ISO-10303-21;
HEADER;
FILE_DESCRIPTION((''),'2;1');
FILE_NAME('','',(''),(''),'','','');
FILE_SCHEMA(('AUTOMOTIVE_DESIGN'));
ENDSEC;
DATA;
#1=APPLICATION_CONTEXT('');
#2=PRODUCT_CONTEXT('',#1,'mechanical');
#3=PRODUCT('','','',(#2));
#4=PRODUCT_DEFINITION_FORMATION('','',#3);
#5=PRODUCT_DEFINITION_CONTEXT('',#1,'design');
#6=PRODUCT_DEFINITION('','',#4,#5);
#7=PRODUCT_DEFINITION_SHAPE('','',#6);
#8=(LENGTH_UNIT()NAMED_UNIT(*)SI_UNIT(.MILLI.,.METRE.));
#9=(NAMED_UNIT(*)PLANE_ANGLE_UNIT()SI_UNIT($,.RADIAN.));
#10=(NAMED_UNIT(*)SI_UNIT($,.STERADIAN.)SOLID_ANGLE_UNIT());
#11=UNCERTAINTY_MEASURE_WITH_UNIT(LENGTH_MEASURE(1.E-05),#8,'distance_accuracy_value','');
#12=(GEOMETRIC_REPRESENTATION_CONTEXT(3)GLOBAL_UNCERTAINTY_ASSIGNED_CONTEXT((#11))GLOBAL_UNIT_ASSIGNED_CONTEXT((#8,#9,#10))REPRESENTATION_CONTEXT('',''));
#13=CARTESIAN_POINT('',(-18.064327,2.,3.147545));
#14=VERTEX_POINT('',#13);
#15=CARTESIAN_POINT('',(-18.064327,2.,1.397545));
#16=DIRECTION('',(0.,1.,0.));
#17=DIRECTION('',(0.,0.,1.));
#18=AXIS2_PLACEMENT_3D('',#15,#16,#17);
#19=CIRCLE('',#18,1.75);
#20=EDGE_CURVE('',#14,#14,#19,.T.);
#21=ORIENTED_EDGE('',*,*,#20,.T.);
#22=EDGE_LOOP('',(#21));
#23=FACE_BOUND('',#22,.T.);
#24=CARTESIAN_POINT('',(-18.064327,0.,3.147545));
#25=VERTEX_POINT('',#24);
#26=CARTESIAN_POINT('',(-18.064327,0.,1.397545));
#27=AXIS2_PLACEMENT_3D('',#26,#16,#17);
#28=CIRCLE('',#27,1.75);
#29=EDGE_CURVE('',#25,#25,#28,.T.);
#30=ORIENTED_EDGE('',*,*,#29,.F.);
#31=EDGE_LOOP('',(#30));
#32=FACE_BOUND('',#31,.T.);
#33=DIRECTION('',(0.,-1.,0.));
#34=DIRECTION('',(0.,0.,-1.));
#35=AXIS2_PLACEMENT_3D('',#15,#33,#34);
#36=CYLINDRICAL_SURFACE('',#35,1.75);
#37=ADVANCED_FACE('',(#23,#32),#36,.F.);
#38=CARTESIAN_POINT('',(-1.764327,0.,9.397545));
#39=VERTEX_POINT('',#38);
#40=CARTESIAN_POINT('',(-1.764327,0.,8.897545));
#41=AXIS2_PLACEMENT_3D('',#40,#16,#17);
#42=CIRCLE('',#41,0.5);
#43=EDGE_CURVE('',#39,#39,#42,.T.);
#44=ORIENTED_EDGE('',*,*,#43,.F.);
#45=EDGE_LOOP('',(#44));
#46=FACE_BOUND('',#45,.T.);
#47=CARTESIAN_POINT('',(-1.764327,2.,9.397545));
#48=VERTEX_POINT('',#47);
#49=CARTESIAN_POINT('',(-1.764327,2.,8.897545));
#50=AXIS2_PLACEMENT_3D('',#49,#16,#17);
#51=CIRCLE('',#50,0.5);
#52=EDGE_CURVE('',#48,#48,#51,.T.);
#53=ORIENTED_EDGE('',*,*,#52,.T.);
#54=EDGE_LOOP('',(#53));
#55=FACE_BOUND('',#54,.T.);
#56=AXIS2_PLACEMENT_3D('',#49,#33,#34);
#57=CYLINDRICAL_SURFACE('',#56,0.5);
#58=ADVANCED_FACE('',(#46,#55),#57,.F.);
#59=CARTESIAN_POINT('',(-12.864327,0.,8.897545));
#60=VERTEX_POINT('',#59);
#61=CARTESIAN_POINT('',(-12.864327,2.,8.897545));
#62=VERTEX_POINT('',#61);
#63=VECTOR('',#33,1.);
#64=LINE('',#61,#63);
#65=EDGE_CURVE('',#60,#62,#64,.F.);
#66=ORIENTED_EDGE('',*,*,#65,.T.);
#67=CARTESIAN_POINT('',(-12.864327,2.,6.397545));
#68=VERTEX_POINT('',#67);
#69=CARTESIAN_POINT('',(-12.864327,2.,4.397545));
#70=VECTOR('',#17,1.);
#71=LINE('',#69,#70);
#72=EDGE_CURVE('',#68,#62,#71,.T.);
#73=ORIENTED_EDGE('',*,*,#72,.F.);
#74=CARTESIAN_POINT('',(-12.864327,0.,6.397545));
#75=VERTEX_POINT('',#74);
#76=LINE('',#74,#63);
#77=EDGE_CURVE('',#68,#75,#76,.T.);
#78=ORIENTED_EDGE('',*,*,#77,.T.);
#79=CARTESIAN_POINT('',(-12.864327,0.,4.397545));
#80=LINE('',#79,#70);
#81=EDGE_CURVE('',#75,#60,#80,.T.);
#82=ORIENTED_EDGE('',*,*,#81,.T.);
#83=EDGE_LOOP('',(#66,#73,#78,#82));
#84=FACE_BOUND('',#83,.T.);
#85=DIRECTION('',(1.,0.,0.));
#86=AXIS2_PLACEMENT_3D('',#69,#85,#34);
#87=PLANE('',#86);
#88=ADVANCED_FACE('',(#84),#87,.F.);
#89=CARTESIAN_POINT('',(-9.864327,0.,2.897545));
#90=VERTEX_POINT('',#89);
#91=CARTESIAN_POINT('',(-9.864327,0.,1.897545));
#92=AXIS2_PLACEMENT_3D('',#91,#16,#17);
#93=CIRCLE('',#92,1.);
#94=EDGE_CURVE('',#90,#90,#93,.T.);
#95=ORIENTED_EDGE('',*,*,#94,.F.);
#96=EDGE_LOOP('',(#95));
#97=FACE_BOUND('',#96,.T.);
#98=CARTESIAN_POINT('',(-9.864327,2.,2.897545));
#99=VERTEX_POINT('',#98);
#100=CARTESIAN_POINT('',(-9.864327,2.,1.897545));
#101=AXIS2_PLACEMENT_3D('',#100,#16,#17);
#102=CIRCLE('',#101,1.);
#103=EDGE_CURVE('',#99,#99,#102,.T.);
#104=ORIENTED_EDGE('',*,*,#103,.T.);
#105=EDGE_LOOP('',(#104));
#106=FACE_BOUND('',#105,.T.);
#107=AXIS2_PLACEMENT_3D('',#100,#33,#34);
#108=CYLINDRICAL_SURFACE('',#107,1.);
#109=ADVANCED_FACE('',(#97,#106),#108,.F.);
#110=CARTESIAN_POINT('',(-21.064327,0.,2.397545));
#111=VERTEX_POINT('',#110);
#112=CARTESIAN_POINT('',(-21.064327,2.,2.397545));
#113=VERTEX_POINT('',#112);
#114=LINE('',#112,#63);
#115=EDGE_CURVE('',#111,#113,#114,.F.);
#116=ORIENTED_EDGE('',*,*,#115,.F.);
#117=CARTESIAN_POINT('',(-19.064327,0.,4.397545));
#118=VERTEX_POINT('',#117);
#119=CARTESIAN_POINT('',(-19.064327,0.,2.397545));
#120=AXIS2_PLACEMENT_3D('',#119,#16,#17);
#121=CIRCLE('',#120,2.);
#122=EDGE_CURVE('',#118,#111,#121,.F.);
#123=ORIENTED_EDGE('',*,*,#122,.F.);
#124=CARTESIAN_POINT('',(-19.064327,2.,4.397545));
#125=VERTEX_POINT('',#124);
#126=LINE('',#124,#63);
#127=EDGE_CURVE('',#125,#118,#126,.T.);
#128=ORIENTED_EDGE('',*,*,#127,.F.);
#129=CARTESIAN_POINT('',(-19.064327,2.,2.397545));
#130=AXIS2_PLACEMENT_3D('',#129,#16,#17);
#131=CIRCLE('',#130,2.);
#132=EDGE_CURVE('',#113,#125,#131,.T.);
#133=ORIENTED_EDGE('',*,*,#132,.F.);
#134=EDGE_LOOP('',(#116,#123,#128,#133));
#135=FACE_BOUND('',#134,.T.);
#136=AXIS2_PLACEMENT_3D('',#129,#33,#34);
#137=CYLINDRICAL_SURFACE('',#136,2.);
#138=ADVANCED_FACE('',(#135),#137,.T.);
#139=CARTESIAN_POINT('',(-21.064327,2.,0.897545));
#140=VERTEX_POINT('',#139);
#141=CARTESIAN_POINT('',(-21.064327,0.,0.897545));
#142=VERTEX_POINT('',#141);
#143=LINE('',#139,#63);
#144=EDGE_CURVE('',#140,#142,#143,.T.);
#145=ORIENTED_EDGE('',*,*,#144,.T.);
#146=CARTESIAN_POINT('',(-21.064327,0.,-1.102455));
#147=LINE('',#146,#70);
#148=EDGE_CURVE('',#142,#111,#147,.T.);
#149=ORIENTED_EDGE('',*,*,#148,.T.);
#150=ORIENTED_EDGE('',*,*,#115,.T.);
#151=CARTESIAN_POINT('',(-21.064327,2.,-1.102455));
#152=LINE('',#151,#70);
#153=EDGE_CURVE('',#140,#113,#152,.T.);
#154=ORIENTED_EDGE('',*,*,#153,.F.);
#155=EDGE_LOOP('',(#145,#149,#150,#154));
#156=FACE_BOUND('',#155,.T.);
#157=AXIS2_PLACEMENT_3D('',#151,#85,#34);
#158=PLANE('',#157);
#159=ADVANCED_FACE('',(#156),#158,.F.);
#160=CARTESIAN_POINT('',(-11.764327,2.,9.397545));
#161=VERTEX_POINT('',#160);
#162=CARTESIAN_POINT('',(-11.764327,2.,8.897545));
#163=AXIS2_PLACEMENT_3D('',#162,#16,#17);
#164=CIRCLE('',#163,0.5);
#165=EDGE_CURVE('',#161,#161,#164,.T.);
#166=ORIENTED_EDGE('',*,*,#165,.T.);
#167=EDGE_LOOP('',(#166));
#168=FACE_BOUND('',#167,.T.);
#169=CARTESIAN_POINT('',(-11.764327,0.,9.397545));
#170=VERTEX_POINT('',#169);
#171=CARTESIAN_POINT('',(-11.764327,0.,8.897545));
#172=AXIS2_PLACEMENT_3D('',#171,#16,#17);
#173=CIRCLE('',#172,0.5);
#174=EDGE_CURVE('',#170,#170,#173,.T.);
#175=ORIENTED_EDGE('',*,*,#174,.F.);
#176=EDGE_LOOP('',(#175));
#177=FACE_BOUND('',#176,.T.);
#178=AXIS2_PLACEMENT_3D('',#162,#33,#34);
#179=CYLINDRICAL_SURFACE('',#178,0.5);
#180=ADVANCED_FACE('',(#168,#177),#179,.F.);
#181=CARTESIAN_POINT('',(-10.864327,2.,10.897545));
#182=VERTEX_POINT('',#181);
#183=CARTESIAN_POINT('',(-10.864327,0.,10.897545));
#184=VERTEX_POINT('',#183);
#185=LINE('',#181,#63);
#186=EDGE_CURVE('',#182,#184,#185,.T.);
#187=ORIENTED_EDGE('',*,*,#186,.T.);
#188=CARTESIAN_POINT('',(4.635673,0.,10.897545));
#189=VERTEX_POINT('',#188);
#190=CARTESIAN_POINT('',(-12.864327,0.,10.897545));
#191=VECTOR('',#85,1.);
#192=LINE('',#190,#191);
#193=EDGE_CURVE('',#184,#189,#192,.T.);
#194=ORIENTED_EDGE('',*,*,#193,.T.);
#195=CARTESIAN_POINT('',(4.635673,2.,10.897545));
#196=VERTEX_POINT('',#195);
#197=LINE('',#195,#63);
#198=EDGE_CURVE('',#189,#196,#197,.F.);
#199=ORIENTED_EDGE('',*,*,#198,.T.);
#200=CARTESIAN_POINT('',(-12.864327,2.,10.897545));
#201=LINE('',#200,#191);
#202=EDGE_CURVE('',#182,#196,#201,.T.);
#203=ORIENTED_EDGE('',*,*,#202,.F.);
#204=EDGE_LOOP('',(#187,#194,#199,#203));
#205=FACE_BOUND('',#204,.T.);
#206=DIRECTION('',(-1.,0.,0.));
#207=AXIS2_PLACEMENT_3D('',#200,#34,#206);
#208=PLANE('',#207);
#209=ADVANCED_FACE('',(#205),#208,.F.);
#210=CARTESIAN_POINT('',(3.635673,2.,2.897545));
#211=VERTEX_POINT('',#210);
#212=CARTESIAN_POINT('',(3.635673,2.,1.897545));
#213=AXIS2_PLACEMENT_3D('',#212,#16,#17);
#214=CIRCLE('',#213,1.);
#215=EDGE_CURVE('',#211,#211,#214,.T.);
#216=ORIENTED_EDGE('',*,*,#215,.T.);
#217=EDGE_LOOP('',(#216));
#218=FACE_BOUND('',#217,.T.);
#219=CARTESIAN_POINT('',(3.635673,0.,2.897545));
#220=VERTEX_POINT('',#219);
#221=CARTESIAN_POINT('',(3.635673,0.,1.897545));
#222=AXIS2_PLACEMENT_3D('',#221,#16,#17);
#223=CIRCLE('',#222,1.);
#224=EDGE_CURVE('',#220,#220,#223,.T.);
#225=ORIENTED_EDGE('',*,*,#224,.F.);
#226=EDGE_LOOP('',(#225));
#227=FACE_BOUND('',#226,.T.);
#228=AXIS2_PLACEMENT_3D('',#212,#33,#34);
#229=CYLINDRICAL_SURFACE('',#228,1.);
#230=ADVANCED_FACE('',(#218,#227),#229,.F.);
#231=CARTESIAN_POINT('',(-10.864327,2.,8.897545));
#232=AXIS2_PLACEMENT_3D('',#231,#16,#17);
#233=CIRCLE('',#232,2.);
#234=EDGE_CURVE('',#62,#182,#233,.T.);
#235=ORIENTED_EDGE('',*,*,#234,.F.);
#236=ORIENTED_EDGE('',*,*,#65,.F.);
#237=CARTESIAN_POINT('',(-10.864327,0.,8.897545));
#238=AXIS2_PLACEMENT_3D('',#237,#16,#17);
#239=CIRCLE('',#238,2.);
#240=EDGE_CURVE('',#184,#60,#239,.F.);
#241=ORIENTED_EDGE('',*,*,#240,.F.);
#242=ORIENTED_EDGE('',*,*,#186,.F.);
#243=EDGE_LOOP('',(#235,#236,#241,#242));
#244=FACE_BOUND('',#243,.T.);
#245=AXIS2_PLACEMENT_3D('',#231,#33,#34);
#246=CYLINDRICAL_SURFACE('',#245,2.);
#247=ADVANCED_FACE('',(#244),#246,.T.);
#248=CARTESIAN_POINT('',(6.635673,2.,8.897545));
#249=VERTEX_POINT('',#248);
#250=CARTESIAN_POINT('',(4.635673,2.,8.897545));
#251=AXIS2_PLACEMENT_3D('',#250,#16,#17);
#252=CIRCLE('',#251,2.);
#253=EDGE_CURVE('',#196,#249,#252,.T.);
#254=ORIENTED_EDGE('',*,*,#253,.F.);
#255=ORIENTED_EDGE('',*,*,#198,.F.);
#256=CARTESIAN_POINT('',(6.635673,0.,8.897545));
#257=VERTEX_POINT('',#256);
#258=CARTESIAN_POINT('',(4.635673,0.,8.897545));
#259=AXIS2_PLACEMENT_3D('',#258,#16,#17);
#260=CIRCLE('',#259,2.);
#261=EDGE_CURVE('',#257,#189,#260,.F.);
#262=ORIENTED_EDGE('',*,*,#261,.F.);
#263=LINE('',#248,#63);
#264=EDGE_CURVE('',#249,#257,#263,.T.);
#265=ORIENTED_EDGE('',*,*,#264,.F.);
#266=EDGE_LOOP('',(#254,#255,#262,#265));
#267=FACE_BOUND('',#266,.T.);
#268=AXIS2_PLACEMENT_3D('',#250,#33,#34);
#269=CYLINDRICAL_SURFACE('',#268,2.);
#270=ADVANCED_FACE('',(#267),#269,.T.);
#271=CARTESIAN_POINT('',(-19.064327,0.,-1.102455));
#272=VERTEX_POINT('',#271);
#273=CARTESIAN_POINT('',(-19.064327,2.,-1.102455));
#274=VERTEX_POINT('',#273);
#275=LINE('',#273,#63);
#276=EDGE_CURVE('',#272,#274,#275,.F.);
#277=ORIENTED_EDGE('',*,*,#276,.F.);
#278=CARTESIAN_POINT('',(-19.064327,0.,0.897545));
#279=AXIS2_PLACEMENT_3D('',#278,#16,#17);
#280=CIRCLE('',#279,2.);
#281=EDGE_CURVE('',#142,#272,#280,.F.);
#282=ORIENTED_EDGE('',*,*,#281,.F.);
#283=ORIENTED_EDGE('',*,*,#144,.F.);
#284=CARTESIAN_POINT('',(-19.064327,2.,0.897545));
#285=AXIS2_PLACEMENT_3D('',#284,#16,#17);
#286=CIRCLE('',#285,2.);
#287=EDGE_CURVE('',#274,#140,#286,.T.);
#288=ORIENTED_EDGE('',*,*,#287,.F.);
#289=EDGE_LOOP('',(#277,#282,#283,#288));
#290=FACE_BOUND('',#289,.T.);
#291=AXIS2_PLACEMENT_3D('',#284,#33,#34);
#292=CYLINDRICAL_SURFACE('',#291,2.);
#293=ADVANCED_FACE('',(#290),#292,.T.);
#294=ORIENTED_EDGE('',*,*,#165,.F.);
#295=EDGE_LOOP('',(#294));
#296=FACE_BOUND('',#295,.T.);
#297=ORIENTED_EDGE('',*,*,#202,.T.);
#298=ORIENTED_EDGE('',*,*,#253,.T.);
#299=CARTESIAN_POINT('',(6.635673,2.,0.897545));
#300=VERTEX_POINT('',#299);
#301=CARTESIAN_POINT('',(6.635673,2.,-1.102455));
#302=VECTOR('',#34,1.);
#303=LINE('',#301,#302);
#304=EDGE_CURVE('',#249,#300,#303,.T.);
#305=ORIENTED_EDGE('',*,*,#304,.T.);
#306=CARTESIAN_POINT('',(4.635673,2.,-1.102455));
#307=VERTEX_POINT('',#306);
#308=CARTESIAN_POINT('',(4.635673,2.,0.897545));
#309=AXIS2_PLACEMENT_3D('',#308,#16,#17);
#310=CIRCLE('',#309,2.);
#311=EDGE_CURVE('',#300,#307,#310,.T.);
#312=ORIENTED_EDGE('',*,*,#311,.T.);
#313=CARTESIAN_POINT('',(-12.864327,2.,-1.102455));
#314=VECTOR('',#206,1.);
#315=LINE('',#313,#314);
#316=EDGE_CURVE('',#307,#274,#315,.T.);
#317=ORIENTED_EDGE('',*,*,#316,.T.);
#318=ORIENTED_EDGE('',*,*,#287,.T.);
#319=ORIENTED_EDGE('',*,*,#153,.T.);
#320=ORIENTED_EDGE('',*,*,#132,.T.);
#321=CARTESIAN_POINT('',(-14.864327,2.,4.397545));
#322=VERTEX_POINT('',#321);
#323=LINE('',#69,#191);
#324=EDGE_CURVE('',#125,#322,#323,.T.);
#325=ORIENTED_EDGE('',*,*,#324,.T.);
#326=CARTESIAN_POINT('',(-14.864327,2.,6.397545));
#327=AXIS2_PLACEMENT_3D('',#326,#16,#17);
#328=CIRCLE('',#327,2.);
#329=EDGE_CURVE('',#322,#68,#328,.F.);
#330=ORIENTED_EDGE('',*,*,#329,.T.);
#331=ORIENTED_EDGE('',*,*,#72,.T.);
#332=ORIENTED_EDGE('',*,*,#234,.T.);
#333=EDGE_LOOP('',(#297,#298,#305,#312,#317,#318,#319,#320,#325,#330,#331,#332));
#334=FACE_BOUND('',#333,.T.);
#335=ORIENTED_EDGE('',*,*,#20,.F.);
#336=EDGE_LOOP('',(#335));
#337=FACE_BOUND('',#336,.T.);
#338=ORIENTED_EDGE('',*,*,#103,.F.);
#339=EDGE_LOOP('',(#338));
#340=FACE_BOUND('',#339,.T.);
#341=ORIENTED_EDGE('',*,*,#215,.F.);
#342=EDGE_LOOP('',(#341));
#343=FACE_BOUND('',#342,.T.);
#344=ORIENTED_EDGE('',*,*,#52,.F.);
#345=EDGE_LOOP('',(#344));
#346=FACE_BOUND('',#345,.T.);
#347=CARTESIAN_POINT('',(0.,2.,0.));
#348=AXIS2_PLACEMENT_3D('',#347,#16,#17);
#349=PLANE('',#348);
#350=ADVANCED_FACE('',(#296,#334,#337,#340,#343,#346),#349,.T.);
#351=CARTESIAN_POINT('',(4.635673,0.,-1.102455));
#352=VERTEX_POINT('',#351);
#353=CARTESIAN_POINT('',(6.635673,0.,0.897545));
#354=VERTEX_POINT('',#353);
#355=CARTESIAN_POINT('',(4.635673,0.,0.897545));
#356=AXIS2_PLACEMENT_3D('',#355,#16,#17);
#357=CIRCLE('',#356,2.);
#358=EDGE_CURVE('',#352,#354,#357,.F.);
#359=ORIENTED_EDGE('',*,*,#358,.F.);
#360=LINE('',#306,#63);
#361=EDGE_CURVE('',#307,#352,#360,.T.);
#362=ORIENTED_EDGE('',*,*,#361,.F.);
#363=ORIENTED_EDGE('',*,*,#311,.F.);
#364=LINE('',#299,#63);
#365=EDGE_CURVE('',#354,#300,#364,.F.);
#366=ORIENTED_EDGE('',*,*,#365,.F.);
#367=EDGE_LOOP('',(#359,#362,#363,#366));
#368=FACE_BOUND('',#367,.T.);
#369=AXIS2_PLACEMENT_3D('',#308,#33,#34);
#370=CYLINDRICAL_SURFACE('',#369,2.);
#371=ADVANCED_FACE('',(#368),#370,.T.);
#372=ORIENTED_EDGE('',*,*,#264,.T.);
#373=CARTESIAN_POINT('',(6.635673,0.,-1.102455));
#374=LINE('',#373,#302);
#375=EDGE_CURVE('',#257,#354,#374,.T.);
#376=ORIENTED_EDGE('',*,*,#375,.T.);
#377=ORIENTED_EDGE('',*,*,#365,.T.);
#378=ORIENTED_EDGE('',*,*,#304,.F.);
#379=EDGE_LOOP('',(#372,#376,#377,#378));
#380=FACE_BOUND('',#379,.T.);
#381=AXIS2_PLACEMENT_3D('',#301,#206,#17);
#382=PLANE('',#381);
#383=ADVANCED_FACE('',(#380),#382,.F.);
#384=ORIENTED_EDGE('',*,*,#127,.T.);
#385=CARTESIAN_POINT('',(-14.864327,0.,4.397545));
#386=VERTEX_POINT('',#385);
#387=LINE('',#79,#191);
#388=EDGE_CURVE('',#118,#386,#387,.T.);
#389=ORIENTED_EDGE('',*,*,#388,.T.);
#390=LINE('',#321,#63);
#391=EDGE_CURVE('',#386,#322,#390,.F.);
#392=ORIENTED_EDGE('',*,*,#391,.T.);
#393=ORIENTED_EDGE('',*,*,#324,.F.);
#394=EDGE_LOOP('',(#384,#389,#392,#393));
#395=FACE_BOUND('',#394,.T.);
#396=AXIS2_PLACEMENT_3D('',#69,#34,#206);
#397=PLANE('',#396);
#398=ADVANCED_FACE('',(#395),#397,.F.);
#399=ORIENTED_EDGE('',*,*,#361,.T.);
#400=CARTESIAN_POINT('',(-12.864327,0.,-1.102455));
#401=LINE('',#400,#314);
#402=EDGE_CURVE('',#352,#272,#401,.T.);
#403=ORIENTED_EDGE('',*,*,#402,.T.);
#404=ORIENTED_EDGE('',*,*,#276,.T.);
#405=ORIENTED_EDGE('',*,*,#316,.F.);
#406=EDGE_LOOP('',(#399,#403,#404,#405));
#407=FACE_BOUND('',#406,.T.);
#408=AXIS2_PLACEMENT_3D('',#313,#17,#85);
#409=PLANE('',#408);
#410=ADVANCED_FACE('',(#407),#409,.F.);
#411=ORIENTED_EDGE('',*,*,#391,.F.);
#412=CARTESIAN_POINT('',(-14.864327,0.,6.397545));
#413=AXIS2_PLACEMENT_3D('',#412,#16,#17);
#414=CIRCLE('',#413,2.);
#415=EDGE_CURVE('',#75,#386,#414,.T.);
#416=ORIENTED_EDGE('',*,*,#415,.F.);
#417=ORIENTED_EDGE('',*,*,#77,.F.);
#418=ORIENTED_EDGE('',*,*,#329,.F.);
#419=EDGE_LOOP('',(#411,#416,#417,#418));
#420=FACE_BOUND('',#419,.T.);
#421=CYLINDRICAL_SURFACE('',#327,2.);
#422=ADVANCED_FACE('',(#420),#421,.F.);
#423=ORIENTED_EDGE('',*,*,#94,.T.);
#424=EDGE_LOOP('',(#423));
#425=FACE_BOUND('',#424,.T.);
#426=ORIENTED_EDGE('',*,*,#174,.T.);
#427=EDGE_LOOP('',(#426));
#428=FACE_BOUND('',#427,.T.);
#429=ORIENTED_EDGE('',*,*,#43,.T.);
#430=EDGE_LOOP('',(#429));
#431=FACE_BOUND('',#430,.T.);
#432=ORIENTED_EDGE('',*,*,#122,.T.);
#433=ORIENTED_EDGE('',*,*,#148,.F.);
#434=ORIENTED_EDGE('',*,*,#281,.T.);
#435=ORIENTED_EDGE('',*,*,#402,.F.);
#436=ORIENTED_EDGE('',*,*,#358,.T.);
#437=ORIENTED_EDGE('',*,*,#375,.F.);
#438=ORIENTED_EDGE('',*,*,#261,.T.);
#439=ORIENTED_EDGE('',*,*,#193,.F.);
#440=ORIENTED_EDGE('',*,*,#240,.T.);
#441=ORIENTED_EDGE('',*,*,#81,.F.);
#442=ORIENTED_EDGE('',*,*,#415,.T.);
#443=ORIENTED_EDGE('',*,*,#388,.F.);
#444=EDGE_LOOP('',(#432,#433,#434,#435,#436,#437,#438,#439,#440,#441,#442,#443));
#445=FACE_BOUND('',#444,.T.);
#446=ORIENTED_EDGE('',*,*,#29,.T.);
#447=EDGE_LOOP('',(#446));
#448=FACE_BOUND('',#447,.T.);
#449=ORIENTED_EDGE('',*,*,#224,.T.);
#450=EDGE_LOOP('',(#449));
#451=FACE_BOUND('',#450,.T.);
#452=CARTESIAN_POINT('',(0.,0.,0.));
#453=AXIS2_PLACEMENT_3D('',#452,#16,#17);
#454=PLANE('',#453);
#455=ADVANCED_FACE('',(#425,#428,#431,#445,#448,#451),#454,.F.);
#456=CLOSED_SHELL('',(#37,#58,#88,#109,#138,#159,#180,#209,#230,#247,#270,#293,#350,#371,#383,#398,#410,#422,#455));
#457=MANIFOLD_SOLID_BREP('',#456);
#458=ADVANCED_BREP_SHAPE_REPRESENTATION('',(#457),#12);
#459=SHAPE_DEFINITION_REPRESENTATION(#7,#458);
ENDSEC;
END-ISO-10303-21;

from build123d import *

# Parameters (mm, degrees)
SKETCH1_R           = 1
SKETCH1_R_2         = 0.5
SKETCH1_R_3         = 1.75
BOSS_EXTRUDE1_DEPTH = 2
FILLET1_R           = 2


with BuildPart() as part:
    # Sketch1 → Boss-Extrude1 (new body)
    with BuildSketch(Plane(origin=(0, 0, 0), x_dir=(1, 0, 0), z_dir=(0, 1, 0))):
        Polygon((-12.864326531, 1.102455199), (6.635673469, 1.102455199), (6.635673469, -10.897544801), (-12.864326531, -10.897544801), (-12.864326531, -4.397544801), (-21.064326531, -4.397544801), (-21.064326531, 1.102455199), align=None)
        with Locations(Location((-9.864326531, -1.897544801, 0), (0, 0, 270))):
            Circle(SKETCH1_R, mode=Mode.SUBTRACT)
        with Locations(Location((3.635673469, -1.897544801, 0), (0, 0, 270))):
            Circle(SKETCH1_R, mode=Mode.SUBTRACT)
        with Locations(Location((-11.764326531, -8.897544801, 0), (0, 0, 270))):
            Circle(SKETCH1_R_2, mode=Mode.SUBTRACT)
        with Locations(Location((-1.764326531, -8.897544801, 0), (0, 0, 270))):
            Circle(SKETCH1_R_2, mode=Mode.SUBTRACT)
        with Locations(Location((-18.064326531, -1.397544801, 0), (0, 0, 270))):
            Circle(SKETCH1_R_3, mode=Mode.SUBTRACT)
    extrude(amount=BOSS_EXTRUDE1_DEPTH)

    # Fillet1
    fillet1_edges = [part.edges().sort_by_distance(p)[0] for p in [
        (6.635673469, 1, -1.102455199),
        (6.635673469, 1, 10.897544801),
        (-12.864326531, 1, 10.897544801),
        (-12.864326531, 1, 4.397544801),
        (-21.064326531, 1, 4.397544801),
        (-21.064326531, 1, -1.102455199),
    ]]
    fillet(fillet1_edges, radius=FILLET1_R)


solid = part.part
